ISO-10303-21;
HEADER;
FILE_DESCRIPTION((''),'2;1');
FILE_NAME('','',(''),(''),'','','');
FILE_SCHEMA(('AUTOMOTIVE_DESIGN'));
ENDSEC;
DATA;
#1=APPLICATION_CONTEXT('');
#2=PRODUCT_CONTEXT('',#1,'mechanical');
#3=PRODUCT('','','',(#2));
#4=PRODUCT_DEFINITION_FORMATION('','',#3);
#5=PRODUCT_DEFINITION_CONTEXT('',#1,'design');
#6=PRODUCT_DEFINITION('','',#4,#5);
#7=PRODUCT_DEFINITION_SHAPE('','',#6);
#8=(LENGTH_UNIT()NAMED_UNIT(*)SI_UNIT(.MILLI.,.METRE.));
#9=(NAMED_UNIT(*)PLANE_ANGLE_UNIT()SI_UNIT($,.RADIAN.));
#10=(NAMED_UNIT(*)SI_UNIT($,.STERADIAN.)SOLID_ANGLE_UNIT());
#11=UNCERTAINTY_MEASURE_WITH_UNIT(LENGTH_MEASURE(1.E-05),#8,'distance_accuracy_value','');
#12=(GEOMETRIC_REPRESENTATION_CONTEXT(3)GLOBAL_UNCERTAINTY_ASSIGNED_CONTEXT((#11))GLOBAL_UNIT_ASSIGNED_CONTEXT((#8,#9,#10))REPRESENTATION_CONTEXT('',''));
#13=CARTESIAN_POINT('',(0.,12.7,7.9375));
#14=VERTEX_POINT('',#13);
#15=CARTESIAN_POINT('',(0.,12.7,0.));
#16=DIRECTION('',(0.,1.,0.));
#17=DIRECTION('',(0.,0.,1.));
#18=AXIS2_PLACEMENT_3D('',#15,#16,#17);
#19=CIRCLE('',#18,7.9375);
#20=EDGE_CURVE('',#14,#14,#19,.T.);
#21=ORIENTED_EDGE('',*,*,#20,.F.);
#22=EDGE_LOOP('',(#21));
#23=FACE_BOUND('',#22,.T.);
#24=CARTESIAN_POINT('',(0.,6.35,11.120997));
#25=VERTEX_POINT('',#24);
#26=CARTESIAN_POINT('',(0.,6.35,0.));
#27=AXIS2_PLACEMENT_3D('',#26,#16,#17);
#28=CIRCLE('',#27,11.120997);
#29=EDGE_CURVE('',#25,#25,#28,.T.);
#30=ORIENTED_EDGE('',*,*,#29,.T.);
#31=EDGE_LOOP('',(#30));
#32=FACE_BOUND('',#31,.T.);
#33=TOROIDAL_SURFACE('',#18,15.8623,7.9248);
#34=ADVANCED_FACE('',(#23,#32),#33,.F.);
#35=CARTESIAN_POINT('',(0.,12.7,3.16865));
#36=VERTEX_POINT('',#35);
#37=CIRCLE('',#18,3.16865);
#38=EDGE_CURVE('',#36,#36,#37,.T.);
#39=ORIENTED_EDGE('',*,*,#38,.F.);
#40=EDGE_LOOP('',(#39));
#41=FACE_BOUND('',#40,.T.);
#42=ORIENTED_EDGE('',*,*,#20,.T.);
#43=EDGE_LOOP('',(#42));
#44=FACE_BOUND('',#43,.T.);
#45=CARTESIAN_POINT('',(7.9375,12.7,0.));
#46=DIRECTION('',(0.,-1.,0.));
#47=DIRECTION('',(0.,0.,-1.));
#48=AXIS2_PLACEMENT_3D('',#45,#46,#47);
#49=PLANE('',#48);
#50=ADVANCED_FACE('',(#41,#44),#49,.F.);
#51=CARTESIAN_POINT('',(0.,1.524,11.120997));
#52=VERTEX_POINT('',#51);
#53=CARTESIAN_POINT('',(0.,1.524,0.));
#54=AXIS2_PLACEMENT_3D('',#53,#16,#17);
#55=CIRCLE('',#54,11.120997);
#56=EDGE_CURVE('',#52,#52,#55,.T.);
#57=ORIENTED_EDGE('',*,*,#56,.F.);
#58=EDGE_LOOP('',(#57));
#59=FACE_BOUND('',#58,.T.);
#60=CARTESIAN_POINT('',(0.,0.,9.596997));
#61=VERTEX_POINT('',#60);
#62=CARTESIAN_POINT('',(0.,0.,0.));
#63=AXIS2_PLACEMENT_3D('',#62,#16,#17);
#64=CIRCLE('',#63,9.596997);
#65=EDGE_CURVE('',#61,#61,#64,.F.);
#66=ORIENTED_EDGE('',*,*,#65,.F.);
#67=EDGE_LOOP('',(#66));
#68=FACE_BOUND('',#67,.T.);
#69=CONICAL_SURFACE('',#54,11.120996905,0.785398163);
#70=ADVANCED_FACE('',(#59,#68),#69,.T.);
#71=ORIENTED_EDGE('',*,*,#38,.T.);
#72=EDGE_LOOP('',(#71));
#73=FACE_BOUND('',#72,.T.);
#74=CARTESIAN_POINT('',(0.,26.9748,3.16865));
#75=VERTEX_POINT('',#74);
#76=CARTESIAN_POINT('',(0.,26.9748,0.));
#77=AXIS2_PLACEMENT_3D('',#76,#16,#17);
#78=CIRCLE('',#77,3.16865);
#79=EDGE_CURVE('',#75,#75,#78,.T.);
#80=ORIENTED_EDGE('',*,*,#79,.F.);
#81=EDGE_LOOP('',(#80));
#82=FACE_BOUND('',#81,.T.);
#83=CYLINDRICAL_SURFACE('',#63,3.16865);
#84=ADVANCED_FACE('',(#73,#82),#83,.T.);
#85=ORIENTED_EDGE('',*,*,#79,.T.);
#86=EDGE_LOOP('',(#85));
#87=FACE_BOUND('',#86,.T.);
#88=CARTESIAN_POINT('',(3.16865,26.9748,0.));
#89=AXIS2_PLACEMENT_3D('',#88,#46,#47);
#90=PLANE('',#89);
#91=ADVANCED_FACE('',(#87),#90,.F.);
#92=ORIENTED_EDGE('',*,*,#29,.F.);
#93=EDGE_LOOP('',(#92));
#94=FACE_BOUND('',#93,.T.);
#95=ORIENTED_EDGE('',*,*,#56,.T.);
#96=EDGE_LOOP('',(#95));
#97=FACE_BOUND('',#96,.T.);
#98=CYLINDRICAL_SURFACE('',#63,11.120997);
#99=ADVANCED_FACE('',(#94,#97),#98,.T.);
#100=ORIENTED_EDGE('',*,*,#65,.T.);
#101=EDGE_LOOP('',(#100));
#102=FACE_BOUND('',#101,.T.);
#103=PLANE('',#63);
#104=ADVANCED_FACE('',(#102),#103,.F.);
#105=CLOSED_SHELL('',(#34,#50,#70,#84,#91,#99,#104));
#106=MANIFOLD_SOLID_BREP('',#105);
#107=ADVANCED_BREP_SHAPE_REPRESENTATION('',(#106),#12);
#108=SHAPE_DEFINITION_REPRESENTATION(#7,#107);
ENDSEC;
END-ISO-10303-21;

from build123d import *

# Parameters (mm, degrees)
CHAMFER1_SIZE = 1.524


with BuildPart() as part:
    # Sketch1 → Revolve1 (revolve)
    with BuildSketch(Plane.XY):
        with BuildLine():
            Line((0, 0), (0, 26.9748))
            Line((0, 26.9748), (3.16865, 26.9748))
            Line((3.16865, 26.9748), (3.16865, 12.7))
            Line((3.16865, 12.7), (7.9375, 12.7))
            ThreePointArc((7.9375, 12.7), (8.777939273, 9.148340087), (11.120996905, 6.35))
            Line((11.120996905, 6.35), (11.120996905, 0))
            Line((11.120996905, 0), (0, 0))
        make_face()
    revolve(axis=Axis((0, 0, 0), (0, -1, 0)))

    # Chamfer1
    chamfer1_edges = [part.edges().sort_by_distance(p)[0] for p in [
        (-11.120996905, 0, 0),
    ]]
    chamfer(chamfer1_edges, length=CHAMFER1_SIZE)


solid = part.part
